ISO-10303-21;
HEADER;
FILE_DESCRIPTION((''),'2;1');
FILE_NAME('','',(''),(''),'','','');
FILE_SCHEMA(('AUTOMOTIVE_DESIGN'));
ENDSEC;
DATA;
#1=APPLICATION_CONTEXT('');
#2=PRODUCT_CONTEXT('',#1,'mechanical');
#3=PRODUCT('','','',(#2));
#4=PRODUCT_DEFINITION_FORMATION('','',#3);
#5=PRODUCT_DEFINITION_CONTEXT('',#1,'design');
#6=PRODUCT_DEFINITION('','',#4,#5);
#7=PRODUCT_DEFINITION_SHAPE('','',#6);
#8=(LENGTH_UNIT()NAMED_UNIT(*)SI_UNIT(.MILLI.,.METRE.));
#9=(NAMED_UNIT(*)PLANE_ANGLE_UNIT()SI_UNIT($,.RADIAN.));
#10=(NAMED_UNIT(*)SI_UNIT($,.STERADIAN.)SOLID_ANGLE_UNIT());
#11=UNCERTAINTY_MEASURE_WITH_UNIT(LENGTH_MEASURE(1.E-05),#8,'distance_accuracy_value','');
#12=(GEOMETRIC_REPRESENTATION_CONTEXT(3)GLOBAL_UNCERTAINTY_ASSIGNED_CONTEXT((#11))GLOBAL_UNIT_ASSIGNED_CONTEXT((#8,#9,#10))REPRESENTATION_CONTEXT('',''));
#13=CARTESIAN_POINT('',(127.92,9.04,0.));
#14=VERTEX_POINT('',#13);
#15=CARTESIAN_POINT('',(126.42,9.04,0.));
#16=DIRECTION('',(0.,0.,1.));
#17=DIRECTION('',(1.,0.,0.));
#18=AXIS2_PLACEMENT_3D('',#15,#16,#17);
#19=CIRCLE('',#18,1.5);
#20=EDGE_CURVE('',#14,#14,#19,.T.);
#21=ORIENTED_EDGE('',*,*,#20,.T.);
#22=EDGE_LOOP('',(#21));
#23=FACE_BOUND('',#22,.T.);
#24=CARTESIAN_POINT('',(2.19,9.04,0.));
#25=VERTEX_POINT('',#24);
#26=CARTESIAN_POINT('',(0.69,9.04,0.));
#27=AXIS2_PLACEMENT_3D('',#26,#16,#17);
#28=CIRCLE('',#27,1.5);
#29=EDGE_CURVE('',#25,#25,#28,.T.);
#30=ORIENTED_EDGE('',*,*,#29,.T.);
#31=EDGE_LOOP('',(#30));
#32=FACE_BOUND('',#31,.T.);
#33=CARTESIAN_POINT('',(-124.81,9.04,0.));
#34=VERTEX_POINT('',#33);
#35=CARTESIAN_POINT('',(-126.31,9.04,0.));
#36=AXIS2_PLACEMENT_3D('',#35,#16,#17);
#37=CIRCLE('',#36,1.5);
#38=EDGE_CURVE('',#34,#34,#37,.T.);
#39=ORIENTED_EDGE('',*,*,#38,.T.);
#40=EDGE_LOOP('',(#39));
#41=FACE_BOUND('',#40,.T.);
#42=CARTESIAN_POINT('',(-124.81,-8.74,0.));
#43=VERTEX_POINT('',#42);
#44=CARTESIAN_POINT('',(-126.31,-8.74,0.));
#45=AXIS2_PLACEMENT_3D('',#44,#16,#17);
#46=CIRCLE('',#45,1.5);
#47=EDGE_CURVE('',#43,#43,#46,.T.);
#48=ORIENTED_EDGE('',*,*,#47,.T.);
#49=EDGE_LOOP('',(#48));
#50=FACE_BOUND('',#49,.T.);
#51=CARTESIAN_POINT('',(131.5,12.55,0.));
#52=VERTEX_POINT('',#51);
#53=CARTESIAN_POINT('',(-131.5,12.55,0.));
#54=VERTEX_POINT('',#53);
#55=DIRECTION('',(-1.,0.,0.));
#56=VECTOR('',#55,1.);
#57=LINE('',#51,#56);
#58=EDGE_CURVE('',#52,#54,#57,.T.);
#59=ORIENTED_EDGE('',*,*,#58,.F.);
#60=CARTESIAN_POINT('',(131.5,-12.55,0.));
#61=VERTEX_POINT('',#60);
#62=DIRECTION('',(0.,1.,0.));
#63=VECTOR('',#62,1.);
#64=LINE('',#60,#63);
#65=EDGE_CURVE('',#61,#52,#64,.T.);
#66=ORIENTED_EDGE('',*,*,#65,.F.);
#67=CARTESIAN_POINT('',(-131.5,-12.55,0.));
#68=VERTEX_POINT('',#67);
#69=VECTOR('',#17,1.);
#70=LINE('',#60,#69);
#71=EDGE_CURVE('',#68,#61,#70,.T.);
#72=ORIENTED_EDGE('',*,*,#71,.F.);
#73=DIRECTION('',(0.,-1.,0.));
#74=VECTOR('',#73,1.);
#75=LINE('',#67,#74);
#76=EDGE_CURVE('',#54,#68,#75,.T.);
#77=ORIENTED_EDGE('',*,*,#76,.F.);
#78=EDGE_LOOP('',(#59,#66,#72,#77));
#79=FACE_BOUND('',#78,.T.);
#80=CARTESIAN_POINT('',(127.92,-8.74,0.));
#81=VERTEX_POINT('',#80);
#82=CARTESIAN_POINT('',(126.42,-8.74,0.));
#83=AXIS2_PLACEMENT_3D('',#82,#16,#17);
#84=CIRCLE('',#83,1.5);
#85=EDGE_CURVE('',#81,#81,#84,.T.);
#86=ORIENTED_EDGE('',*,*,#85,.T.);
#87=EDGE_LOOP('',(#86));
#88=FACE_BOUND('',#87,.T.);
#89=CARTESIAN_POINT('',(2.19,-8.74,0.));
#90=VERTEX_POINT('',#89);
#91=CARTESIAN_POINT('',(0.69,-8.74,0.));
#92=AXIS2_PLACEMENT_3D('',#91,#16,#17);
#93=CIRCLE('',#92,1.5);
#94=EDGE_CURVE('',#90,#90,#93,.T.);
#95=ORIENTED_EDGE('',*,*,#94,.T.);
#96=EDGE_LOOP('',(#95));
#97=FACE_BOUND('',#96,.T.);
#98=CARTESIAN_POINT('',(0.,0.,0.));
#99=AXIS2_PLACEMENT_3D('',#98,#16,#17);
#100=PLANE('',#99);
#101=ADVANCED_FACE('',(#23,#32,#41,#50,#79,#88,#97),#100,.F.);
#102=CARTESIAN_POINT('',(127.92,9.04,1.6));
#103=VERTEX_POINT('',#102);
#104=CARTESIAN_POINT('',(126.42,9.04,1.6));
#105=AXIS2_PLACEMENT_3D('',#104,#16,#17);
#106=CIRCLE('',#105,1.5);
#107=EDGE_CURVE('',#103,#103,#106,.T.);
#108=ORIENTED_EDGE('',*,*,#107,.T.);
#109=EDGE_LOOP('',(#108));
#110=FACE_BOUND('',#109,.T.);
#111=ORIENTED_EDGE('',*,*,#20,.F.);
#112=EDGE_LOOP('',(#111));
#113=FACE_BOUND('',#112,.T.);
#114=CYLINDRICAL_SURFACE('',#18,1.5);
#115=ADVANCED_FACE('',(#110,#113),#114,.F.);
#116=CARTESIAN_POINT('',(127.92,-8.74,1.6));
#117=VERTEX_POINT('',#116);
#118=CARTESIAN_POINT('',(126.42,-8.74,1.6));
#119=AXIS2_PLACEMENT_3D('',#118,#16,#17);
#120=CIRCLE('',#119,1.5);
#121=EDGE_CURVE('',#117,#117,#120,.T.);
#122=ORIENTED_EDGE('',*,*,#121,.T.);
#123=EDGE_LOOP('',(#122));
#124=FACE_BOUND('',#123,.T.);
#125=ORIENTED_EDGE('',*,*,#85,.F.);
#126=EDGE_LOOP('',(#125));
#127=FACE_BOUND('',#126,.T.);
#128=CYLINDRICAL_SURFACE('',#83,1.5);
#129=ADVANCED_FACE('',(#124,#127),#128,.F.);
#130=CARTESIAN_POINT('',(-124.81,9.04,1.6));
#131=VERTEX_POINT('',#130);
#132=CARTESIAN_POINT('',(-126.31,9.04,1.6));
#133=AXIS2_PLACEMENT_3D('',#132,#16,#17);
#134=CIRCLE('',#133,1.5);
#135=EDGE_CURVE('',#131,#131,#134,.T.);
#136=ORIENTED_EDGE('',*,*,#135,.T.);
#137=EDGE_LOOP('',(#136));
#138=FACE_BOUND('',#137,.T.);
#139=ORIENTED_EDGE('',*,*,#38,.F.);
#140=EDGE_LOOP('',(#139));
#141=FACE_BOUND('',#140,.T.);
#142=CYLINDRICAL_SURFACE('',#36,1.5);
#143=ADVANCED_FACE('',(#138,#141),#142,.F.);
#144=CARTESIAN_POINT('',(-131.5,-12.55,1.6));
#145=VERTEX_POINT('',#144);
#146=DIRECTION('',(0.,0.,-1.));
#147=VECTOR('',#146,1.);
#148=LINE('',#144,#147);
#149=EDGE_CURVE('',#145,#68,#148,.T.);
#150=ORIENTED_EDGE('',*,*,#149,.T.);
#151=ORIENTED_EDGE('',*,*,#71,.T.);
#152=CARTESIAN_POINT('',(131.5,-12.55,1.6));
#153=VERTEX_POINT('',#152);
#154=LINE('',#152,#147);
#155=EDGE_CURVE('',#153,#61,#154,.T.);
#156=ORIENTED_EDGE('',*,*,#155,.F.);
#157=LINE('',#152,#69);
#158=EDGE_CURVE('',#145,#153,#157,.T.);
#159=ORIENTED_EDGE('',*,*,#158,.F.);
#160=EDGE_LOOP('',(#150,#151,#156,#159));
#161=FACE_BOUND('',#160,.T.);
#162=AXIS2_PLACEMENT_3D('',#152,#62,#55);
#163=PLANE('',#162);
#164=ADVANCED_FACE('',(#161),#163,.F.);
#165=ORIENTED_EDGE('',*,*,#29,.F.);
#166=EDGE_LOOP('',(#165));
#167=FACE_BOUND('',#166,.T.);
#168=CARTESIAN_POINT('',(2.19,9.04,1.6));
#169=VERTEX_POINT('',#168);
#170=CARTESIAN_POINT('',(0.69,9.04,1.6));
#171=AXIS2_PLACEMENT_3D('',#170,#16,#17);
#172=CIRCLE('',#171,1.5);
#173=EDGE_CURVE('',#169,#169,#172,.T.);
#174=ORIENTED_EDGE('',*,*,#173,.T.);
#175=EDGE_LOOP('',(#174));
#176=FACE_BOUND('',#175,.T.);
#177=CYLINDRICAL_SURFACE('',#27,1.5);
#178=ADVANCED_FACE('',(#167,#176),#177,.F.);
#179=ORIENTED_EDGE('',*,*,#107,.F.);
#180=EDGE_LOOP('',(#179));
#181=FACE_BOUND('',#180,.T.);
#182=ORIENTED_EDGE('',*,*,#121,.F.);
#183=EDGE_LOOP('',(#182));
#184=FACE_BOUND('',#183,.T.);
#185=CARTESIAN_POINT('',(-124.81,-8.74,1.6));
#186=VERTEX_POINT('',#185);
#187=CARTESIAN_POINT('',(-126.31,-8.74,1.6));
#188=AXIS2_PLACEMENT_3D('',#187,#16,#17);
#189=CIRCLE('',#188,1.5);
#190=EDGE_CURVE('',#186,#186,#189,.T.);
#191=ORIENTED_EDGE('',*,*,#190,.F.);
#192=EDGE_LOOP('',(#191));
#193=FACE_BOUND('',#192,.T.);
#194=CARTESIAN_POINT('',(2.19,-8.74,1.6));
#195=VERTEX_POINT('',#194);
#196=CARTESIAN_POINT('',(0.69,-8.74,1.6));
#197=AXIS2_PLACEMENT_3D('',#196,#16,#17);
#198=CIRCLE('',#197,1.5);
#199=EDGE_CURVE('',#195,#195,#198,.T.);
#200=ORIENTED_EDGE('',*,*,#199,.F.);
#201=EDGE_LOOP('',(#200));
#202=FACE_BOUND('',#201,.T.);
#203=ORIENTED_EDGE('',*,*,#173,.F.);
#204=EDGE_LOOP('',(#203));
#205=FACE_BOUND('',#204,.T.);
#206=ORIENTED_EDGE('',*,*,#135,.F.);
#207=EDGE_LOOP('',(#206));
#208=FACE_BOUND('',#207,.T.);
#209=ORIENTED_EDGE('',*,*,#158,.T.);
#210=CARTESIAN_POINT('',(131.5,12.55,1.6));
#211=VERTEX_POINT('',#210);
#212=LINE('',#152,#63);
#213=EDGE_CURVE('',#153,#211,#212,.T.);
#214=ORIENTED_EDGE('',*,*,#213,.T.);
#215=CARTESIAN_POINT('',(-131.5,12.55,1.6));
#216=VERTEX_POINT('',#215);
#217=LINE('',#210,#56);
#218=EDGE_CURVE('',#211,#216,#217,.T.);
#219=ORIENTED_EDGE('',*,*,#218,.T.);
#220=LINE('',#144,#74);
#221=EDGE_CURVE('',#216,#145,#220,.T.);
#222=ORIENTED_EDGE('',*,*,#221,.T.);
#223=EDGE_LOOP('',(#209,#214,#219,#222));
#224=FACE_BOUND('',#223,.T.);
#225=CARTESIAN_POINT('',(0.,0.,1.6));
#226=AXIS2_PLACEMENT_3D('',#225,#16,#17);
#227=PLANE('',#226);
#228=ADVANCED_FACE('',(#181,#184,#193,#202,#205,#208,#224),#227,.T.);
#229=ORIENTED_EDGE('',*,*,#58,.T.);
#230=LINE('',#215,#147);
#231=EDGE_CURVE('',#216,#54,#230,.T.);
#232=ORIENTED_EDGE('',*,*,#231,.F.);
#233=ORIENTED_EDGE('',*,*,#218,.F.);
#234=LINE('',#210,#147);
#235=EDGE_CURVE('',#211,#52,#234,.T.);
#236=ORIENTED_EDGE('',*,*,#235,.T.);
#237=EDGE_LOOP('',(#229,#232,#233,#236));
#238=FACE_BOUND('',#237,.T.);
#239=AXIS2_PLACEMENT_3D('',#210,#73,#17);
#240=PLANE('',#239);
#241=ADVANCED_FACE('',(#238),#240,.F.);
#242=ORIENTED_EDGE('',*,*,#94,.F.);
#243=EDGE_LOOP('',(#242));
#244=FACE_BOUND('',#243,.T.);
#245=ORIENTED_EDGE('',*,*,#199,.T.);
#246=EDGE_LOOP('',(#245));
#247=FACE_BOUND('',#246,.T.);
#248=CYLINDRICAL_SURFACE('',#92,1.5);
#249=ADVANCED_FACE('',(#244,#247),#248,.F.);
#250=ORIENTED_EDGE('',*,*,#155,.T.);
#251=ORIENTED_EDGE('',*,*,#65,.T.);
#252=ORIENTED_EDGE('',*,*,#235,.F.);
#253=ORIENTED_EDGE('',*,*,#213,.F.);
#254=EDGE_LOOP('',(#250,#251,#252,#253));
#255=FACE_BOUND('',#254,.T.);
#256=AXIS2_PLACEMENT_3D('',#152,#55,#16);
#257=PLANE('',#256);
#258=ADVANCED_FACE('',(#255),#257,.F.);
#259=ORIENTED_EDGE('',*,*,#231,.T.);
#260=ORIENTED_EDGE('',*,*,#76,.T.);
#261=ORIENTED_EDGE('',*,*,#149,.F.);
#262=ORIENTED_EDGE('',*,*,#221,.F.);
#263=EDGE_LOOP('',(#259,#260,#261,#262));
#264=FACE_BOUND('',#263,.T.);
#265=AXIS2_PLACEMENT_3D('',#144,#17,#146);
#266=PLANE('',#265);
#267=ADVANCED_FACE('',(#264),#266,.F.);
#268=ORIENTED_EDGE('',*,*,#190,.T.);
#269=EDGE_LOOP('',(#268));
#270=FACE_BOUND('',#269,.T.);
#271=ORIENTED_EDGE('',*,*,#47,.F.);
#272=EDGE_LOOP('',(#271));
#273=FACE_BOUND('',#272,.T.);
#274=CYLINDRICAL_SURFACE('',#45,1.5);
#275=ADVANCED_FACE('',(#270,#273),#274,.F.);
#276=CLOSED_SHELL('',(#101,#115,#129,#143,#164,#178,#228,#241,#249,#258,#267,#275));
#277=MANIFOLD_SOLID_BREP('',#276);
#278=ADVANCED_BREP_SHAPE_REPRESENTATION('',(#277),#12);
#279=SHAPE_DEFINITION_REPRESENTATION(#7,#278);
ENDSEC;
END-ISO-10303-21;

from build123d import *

# Parameters (mm, degrees)
ESQUISSE1_W        = 263
ESQUISSE1_H        = 25.1
BOSS_EXTRU_1_DEPTH = 1.6
SKETCH1_R          = 1.5
CUT_EXTRUDE1_DEPTH = 133.107200788


with BuildPart() as part:
    # Esquisse1 → Boss.-Extru.1 (new body)
    with BuildSketch(Plane.XY):
        Rectangle(ESQUISSE1_W, ESQUISSE1_H)
    extrude(amount=BOSS_EXTRU_1_DEPTH)

    # Sketch1 → Cut-Extrude1 (cut, through all)
    with BuildSketch(Plane.XY.offset(1.6)):
        with Locations((126.42, -8.74)):
            Circle(SKETCH1_R)
        with Locations((126.42, 9.04)):
            Circle(SKETCH1_R)
        with Locations((0.69, -8.74)):
            Circle(SKETCH1_R)
        with Locations((-126.31, -8.74)):
            Circle(SKETCH1_R)
        with Locations((0.69, 9.04)):
            Circle(SKETCH1_R)
        with Locations((-126.31, 9.04)):
            Circle(SKETCH1_R)
    extrude(amount=-CUT_EXTRUDE1_DEPTH, mode=Mode.SUBTRACT)


solid = part.part
